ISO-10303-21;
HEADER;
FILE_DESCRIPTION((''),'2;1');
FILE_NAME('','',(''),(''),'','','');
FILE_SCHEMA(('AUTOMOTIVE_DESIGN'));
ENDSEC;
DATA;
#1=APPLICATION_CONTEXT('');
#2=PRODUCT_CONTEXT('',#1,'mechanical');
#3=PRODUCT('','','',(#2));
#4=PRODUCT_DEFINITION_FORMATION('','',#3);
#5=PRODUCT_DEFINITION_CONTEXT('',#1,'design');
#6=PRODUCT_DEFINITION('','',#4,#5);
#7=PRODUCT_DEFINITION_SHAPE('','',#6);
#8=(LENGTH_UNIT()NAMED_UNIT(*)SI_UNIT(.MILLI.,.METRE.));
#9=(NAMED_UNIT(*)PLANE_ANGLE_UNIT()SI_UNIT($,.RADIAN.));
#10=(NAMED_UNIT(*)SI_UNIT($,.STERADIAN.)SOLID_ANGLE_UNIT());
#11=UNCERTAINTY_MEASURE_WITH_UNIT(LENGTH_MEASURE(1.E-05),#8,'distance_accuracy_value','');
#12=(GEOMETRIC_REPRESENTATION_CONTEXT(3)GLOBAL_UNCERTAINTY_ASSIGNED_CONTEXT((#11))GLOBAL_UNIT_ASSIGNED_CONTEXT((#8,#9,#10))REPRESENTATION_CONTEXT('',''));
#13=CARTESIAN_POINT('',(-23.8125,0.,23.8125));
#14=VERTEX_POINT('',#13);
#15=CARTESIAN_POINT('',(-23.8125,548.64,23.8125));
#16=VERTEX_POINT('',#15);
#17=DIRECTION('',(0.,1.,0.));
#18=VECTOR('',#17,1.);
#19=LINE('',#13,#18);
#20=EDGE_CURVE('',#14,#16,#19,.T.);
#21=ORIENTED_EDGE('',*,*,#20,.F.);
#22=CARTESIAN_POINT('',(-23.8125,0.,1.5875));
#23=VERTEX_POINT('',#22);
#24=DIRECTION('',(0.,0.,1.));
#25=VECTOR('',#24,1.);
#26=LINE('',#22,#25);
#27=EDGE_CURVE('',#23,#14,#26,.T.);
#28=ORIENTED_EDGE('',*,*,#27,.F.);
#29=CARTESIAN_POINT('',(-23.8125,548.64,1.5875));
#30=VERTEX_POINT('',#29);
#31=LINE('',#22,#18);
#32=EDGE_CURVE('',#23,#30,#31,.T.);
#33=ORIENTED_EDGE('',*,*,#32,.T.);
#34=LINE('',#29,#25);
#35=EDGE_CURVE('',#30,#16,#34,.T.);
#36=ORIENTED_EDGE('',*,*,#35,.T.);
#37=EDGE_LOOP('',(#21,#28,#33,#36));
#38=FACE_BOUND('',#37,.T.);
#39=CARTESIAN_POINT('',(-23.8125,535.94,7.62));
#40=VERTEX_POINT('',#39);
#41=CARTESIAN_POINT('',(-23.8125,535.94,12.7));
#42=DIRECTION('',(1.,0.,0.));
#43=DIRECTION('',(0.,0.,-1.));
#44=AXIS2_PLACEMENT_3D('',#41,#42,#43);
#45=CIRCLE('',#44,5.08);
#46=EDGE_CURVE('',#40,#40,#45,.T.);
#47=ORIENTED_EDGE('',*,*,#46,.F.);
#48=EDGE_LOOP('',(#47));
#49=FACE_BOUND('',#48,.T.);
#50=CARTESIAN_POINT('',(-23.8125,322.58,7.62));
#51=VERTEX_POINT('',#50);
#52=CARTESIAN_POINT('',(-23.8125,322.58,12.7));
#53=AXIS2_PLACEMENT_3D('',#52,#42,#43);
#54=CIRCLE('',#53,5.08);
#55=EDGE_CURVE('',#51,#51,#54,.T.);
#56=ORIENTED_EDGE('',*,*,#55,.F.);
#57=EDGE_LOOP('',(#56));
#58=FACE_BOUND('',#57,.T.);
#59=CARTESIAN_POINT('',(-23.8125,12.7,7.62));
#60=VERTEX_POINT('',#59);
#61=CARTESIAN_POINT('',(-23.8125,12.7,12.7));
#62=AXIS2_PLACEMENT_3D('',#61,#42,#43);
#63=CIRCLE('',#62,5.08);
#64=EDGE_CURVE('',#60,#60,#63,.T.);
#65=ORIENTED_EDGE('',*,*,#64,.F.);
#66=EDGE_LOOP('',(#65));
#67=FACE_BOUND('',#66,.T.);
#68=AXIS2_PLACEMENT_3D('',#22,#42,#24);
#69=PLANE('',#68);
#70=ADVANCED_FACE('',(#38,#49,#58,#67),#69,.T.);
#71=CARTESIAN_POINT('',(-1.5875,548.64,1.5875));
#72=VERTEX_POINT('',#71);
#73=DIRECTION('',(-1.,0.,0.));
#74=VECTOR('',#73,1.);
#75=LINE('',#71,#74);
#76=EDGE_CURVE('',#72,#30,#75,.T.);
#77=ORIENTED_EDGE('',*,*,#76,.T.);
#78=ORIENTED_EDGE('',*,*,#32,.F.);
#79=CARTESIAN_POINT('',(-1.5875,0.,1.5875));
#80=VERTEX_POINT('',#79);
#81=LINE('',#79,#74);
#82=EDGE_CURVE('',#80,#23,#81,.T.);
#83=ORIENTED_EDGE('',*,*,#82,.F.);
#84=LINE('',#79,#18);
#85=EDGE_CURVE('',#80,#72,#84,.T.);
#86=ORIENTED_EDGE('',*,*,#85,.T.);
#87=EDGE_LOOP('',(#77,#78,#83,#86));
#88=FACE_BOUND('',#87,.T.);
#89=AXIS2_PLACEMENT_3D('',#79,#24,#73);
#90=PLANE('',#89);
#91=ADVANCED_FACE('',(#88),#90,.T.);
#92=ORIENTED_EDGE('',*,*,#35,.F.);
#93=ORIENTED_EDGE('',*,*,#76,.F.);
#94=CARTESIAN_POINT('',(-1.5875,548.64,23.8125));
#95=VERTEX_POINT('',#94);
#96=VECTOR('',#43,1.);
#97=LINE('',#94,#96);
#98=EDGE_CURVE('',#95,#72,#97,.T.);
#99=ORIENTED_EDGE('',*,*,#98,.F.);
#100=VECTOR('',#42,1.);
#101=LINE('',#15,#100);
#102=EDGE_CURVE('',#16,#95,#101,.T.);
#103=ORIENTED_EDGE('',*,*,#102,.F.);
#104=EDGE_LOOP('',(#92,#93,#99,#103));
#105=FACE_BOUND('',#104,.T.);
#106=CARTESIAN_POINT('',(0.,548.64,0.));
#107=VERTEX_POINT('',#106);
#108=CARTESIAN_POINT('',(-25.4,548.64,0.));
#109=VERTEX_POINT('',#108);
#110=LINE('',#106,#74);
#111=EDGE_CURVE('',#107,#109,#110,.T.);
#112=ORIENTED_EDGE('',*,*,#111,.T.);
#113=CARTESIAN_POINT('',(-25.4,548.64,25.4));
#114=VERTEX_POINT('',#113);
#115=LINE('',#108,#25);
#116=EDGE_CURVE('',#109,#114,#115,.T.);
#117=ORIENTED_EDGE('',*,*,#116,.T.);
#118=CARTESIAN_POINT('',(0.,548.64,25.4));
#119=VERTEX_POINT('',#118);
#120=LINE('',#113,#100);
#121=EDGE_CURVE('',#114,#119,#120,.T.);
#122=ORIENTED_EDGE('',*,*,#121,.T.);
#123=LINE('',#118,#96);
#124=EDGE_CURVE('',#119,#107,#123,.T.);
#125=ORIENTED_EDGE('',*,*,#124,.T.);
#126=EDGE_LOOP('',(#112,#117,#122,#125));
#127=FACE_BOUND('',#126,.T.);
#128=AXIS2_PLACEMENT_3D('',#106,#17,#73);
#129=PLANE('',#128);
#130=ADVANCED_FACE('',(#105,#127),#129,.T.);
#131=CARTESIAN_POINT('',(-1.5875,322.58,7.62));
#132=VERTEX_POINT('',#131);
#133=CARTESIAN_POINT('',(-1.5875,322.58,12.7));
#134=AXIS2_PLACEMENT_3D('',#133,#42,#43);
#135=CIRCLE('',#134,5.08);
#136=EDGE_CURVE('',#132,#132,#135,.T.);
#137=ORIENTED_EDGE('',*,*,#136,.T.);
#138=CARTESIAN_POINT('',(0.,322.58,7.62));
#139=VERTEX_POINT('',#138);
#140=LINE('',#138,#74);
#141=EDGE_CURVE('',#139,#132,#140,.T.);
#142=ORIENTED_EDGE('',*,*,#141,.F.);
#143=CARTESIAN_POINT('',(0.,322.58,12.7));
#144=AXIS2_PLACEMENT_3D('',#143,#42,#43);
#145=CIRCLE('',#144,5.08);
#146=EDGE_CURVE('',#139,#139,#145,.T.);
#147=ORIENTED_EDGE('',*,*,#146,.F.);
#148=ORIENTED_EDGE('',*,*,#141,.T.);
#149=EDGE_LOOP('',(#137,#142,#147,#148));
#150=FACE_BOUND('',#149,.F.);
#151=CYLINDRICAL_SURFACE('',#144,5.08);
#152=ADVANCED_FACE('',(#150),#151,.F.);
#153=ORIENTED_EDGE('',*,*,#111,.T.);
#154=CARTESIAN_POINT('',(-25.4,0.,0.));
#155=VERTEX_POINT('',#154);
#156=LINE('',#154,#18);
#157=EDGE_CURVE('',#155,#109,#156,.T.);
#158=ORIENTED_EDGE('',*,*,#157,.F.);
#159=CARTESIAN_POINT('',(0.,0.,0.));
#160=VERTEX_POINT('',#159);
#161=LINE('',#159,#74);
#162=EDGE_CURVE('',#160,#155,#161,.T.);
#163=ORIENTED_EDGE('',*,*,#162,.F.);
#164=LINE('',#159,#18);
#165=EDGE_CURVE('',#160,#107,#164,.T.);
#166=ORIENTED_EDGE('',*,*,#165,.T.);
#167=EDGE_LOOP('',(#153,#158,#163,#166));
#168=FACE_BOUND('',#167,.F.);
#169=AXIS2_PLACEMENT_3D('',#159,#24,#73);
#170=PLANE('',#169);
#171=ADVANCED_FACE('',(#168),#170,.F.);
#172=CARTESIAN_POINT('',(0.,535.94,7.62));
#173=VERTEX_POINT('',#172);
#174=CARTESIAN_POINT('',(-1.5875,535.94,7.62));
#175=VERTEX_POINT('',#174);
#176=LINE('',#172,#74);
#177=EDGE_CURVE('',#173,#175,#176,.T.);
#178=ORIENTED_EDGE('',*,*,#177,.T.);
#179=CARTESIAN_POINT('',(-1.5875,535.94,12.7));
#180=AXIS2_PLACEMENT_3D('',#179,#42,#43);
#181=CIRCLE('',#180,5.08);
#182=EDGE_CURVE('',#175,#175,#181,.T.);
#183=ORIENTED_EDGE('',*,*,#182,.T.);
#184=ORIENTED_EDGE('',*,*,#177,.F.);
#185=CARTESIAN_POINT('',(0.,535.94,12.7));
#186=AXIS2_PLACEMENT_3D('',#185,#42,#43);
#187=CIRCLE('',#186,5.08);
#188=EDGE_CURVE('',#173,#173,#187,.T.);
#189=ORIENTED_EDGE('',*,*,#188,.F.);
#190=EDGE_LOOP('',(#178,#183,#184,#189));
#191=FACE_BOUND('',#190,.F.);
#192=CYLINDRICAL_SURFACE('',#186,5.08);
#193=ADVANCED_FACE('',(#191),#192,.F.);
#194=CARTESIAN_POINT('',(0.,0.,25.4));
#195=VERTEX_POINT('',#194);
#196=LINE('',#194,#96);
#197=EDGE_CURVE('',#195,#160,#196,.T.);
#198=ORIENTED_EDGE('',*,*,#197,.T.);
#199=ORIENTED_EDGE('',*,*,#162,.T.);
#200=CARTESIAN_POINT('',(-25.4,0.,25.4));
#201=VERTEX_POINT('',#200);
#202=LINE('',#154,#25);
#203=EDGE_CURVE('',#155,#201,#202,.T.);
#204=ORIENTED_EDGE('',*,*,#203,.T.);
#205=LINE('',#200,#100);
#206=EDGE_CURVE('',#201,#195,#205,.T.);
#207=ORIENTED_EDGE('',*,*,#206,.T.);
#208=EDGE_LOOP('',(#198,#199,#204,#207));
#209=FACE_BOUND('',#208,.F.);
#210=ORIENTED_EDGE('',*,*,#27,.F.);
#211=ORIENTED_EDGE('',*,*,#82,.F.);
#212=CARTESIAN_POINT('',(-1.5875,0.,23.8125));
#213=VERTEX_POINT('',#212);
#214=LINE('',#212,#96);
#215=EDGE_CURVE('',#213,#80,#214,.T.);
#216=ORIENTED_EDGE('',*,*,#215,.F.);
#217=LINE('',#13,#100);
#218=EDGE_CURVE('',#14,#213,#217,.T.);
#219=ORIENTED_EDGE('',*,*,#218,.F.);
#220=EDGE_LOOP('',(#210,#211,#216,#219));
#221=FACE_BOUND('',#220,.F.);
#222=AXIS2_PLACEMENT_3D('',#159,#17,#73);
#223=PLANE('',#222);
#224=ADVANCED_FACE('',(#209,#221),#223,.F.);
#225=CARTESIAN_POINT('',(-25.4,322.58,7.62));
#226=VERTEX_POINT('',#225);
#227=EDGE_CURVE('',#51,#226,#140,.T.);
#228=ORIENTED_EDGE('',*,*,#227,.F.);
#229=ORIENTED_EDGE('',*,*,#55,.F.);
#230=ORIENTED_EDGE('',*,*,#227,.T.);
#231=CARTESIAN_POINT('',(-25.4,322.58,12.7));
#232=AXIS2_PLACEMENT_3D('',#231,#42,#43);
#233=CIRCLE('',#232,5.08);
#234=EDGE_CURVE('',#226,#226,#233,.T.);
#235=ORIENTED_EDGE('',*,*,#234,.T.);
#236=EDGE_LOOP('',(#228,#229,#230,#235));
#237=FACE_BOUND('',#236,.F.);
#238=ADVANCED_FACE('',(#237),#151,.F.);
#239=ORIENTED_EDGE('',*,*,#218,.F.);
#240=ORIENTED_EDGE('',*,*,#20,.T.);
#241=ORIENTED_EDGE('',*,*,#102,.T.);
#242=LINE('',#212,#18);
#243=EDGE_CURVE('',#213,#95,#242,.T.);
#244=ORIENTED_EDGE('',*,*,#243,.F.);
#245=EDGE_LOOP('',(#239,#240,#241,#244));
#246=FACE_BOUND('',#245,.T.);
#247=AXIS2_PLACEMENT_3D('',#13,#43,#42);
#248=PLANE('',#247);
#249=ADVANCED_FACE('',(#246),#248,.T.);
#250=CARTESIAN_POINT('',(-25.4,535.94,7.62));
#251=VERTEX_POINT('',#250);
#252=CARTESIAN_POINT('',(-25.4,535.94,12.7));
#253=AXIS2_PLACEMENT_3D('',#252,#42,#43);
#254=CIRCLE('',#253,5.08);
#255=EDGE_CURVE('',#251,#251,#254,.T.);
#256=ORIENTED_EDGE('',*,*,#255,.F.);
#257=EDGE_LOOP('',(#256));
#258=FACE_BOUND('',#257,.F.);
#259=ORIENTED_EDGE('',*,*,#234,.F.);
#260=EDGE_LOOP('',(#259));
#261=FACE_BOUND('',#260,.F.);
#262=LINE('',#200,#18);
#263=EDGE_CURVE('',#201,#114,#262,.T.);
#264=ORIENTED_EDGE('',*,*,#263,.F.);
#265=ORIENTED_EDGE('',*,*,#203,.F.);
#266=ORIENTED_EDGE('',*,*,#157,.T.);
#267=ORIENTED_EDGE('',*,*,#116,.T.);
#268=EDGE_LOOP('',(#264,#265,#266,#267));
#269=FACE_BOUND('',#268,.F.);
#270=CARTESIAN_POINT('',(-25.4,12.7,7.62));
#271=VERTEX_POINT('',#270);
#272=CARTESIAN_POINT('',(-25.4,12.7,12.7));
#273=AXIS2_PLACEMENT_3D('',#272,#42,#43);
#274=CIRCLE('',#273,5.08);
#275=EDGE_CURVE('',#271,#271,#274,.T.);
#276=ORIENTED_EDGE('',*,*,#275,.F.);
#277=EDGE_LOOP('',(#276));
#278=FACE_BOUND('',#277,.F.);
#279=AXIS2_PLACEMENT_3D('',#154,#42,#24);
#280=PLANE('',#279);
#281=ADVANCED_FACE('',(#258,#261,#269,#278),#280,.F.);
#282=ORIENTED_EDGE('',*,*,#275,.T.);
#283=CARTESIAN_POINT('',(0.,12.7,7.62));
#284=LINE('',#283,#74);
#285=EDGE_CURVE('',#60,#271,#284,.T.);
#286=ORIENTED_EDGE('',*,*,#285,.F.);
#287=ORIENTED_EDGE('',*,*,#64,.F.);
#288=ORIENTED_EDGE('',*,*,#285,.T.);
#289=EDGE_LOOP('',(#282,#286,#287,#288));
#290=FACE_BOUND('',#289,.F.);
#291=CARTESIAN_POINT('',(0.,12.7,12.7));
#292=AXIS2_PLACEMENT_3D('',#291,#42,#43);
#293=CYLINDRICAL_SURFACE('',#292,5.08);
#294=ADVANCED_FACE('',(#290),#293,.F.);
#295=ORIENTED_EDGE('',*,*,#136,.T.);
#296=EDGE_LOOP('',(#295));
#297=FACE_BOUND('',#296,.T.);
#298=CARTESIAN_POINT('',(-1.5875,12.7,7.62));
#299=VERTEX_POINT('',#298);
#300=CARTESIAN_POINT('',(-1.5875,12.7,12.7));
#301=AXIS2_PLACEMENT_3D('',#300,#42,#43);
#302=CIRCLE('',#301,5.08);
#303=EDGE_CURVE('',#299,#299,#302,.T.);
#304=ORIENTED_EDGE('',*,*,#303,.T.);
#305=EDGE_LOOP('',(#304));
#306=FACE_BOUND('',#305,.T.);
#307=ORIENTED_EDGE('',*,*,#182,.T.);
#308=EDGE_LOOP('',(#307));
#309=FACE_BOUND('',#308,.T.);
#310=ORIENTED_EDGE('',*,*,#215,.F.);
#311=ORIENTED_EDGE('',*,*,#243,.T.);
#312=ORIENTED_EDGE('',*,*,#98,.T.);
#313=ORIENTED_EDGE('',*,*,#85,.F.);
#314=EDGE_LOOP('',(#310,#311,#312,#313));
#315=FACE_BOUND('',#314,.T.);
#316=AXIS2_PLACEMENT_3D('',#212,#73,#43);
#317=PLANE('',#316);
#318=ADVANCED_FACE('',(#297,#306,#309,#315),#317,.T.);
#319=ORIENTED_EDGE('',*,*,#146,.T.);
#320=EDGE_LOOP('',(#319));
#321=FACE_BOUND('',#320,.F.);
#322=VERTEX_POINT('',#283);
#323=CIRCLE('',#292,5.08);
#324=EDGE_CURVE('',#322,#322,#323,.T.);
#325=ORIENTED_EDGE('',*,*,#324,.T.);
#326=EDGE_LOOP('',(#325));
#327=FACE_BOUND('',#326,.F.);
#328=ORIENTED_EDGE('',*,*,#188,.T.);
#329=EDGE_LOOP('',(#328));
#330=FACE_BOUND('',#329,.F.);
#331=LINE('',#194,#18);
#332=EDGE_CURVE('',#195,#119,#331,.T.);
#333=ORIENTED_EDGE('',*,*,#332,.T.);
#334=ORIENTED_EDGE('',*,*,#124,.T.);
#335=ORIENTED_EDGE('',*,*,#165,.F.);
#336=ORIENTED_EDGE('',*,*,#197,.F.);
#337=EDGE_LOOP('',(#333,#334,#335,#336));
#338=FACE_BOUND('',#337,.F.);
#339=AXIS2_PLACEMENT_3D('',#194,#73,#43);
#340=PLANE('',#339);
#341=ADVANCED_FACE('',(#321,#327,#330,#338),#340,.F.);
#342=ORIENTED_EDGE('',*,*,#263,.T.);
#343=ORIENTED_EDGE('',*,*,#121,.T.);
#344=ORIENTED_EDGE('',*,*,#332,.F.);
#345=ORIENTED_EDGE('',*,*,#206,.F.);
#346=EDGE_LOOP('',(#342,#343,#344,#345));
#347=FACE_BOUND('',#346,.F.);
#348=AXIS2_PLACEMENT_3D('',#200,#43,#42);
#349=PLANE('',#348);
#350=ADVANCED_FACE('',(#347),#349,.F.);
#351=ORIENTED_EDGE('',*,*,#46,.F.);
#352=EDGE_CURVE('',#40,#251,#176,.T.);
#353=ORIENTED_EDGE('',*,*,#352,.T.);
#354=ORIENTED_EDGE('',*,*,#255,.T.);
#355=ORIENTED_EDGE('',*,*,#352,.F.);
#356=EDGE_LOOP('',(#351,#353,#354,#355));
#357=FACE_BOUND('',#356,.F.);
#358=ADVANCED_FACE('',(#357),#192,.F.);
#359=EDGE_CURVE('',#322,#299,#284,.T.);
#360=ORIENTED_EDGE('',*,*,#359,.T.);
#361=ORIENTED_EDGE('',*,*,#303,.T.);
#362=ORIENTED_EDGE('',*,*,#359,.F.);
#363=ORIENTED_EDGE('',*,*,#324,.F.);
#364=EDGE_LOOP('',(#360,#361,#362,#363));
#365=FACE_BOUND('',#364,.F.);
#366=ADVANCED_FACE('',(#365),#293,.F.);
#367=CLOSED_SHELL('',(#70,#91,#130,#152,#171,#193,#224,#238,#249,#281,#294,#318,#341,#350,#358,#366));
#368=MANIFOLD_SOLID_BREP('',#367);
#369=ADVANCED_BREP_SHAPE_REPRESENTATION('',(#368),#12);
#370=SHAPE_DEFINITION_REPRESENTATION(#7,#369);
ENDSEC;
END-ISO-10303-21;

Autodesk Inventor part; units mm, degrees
ref_plane "YZ Plane" through (0, 0, 0) normal (1, 0, 0) x (0, 1, 0)
ref_plane "XZ Plane" through (0, 0, 0) normal (0, 1, 0) x (-1, 0, 0)
ref_plane "XY Plane" through (0, 0, 0) normal (0, 0, 1) x (1, 0, 0)
sketch "Sketch1" plane through (0, 0, 0) normal (0, 1, 0) x (-1, 0, 0)
  line L0 (0, 0) -> (25.4, 0)
  line L1 (25.4, 0) -> (25.4, 25.4)
  line L2 (25.4, 25.4) -> (0, 25.4)
  line L3 (0, 25.4) -> (0, 0)
  line L4 (23.8125, 23.8125) -> (1.5875, 23.8125)
  line L5 (1.5875, 23.8125) -> (1.5875, 1.5875)
  line L6 (1.5875, 1.5875) -> (23.8125, 1.5875)
  line L7 (23.8125, 1.5875) -> (23.8125, 23.8125)
  dimension "d0" = 25.4
  dimension "d1" = 25.4
  dimension "d2" = 1.5875
  dimension "d3" = 1.5875
  dimension "d4" = 1.5875
  dimension "d5" = 1.5875
extrude "Extrusion1" add sketch "Sketch1" along normal blind 548.64
sketch "Sketch2" plane through (0, 0, 25.4) normal (1, 0, 0) x (0, 0, -1)
  circle A0 centre (12.7, 12.7) radius 5.08
  line L0 (25.4, 0) -> (25.4, 548.64) projected
  line L1 (0, 0) -> (25.4, 0) projected
  dimension "d9" = 12.7
  dimension "d10" = 10.16
  dimension "d11" = 12.7
extrude "Extrusion2" cut sketch "Sketch2" against normal blind 25.4
sketch "Sketch3" plane through (0, 0, 25.4) normal (1, 0, 0) x (0, 0, -1)
  circle A0 centre (12.7, 535.94) radius 5.08
  line L0 (25.4, 0) -> (25.4, 548.64) projected
  line L1 (0, 548.64) -> (25.4, 548.64) projected
  dimension "d14" = 12.7
  dimension "d15" = 12.7
  dimension "d16" = 10.16
extrude "Extrusion3" cut sketch "Sketch3" against normal blind 25.4
sketch "Sketch4" plane through (0, 0, 25.4) normal (1, 0, 0) x (0, 0, -1)
  point P0 (25.4, 0)
sketch "Sketch5" plane through (0, 0, 25.4) normal (1, 0, 0) x (0, 0, -1)
  circle A0 centre (12.7, 322.58) radius 5.08
  line L0 (0, 0) -> (0, 548.64) projected
  circle A1 centre (12.7, 535.94) radius 5.08 projected
  point P0 (25.4, 0)
  dimension "d19" = 10.16
  dimension "d20" = 12.7
  dimension "d21" = 213.36
extrude "Extrusion4" cut sketch "Sketch5" against normal blind 25.4 contours A0
properties part number "1x1 16th Inch Aluminum Tube - Custom for Lift Arms"
